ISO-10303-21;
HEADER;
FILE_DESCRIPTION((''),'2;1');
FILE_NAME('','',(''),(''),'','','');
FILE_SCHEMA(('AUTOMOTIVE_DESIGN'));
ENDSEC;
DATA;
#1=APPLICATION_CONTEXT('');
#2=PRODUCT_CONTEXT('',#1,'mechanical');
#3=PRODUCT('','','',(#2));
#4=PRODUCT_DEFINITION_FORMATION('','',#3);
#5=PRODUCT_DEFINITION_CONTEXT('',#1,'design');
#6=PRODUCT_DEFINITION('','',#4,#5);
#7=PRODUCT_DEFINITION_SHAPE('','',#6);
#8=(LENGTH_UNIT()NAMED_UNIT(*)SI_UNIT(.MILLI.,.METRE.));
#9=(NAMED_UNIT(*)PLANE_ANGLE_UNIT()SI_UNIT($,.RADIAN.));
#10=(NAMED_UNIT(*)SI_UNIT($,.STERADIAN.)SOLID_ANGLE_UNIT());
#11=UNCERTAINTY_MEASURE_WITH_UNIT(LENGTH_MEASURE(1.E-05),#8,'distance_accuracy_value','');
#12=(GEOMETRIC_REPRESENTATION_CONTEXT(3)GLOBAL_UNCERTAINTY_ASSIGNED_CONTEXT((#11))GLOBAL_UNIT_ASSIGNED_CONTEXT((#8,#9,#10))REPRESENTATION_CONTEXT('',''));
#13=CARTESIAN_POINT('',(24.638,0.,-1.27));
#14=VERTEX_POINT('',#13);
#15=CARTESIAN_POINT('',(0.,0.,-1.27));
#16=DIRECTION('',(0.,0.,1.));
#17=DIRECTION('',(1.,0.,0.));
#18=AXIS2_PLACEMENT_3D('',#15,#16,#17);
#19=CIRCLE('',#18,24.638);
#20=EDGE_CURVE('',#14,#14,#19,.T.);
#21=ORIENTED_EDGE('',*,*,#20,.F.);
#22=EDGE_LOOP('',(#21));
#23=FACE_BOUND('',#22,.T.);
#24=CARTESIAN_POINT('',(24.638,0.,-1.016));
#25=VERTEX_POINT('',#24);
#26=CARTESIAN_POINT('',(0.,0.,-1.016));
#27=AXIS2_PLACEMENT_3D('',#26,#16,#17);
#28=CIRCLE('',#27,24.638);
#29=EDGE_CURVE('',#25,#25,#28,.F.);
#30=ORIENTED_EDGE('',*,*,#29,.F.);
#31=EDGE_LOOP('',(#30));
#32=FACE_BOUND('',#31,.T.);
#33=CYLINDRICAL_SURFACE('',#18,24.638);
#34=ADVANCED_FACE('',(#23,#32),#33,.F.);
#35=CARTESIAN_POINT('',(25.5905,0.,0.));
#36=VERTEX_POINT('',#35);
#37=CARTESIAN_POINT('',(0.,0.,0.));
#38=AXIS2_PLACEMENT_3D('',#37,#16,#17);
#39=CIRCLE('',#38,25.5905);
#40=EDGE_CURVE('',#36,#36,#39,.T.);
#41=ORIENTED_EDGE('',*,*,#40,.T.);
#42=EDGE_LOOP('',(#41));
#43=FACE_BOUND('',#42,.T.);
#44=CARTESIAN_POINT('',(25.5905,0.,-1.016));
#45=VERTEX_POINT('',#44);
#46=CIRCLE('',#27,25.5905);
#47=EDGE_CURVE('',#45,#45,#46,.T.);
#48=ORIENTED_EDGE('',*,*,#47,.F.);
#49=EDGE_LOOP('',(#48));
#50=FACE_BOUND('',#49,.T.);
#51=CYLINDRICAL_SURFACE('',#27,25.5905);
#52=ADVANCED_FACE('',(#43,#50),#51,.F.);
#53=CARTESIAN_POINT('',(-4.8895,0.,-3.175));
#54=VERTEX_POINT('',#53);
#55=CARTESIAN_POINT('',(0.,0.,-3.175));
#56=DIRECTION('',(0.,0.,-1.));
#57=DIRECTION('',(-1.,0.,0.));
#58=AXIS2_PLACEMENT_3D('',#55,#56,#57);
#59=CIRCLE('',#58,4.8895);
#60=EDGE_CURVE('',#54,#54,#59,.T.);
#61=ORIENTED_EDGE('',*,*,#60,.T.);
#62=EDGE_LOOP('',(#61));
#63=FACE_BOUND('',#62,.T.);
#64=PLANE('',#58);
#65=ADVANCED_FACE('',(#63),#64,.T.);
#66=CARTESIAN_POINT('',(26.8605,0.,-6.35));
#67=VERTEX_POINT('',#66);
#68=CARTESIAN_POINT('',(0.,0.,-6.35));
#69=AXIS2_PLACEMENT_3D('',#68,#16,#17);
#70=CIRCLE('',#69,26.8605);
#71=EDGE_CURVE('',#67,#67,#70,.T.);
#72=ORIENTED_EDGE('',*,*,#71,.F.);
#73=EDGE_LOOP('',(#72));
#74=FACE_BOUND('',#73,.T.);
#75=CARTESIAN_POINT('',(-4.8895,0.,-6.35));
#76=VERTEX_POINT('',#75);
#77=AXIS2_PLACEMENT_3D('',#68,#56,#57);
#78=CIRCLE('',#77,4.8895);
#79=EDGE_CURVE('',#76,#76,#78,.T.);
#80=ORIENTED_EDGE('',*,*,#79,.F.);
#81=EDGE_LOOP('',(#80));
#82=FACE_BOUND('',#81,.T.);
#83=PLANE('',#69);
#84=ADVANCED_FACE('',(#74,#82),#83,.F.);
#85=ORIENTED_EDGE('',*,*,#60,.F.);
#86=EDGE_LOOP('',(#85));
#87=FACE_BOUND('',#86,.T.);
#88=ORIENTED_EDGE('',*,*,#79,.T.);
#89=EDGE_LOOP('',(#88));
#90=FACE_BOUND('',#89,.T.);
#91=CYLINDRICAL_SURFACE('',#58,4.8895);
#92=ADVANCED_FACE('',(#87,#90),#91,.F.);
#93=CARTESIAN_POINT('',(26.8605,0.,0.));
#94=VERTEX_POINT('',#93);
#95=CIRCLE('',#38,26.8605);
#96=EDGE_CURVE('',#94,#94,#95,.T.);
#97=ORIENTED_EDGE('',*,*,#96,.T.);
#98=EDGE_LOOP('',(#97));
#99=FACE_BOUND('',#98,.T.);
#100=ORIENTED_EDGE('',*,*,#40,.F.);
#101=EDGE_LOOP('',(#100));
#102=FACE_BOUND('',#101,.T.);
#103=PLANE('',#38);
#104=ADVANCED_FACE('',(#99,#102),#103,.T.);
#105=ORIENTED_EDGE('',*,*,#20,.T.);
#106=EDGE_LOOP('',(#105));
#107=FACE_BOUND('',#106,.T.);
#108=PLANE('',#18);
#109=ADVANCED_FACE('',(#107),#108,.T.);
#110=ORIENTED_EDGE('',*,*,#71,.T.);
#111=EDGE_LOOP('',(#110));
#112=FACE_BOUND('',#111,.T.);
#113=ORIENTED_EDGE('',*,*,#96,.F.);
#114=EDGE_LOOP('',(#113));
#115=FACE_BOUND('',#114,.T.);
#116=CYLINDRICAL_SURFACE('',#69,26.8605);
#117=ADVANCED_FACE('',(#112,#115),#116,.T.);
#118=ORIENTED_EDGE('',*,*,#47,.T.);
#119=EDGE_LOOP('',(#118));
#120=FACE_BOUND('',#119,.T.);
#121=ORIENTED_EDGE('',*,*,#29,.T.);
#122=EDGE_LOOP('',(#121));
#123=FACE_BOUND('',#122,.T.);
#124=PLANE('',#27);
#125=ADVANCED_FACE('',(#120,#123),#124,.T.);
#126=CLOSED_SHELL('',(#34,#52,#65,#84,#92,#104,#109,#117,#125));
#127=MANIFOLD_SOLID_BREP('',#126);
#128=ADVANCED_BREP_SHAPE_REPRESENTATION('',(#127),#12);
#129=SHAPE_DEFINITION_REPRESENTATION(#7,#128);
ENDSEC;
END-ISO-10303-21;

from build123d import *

# Parameters (mm, degrees)
BACKER_MAIN_R              = 26.8605
BOSS_EXTRUDE1_DEPTH        = 6.35
SUBSTRATE_BACK_CLEARANCE_R = 24.638
CUT_EXTRUDE1_DEPTH         = 1.27
SUBSTRATE_CSINK_R          = 25.5905
CUT_EXTRUDE2_DEPTH         = 1.016
SPRING_HOLE_R              = 4.8895
CUT_EXTRUDE3_DEPTH         = 3.175


with BuildPart() as part:
    # Backer Main → Boss-Extrude1 (new body)
    with BuildSketch(Plane.XY):
        Circle(BACKER_MAIN_R)
    extrude(amount=-BOSS_EXTRUDE1_DEPTH)

    # Substrate Back Clearance → Cut-Extrude1 (cut)
    with BuildSketch(Plane.XY):
        Circle(SUBSTRATE_BACK_CLEARANCE_R)
    extrude(amount=-CUT_EXTRUDE1_DEPTH, mode=Mode.SUBTRACT)

    # Substrate CSink → Cut-Extrude2 (cut)
    with BuildSketch(Plane.XY):
        Circle(SUBSTRATE_CSINK_R)
    extrude(amount=-CUT_EXTRUDE2_DEPTH, mode=Mode.SUBTRACT)

    # Spring Hole → Cut-Extrude3 (cut)
    with BuildSketch(Plane(origin=(0, 0, -6.35), x_dir=(-1, 0, 0), z_dir=(0, 0, -1))):
        Circle(SPRING_HOLE_R)
    extrude(amount=-CUT_EXTRUDE3_DEPTH, mode=Mode.SUBTRACT)


solid = part.part
